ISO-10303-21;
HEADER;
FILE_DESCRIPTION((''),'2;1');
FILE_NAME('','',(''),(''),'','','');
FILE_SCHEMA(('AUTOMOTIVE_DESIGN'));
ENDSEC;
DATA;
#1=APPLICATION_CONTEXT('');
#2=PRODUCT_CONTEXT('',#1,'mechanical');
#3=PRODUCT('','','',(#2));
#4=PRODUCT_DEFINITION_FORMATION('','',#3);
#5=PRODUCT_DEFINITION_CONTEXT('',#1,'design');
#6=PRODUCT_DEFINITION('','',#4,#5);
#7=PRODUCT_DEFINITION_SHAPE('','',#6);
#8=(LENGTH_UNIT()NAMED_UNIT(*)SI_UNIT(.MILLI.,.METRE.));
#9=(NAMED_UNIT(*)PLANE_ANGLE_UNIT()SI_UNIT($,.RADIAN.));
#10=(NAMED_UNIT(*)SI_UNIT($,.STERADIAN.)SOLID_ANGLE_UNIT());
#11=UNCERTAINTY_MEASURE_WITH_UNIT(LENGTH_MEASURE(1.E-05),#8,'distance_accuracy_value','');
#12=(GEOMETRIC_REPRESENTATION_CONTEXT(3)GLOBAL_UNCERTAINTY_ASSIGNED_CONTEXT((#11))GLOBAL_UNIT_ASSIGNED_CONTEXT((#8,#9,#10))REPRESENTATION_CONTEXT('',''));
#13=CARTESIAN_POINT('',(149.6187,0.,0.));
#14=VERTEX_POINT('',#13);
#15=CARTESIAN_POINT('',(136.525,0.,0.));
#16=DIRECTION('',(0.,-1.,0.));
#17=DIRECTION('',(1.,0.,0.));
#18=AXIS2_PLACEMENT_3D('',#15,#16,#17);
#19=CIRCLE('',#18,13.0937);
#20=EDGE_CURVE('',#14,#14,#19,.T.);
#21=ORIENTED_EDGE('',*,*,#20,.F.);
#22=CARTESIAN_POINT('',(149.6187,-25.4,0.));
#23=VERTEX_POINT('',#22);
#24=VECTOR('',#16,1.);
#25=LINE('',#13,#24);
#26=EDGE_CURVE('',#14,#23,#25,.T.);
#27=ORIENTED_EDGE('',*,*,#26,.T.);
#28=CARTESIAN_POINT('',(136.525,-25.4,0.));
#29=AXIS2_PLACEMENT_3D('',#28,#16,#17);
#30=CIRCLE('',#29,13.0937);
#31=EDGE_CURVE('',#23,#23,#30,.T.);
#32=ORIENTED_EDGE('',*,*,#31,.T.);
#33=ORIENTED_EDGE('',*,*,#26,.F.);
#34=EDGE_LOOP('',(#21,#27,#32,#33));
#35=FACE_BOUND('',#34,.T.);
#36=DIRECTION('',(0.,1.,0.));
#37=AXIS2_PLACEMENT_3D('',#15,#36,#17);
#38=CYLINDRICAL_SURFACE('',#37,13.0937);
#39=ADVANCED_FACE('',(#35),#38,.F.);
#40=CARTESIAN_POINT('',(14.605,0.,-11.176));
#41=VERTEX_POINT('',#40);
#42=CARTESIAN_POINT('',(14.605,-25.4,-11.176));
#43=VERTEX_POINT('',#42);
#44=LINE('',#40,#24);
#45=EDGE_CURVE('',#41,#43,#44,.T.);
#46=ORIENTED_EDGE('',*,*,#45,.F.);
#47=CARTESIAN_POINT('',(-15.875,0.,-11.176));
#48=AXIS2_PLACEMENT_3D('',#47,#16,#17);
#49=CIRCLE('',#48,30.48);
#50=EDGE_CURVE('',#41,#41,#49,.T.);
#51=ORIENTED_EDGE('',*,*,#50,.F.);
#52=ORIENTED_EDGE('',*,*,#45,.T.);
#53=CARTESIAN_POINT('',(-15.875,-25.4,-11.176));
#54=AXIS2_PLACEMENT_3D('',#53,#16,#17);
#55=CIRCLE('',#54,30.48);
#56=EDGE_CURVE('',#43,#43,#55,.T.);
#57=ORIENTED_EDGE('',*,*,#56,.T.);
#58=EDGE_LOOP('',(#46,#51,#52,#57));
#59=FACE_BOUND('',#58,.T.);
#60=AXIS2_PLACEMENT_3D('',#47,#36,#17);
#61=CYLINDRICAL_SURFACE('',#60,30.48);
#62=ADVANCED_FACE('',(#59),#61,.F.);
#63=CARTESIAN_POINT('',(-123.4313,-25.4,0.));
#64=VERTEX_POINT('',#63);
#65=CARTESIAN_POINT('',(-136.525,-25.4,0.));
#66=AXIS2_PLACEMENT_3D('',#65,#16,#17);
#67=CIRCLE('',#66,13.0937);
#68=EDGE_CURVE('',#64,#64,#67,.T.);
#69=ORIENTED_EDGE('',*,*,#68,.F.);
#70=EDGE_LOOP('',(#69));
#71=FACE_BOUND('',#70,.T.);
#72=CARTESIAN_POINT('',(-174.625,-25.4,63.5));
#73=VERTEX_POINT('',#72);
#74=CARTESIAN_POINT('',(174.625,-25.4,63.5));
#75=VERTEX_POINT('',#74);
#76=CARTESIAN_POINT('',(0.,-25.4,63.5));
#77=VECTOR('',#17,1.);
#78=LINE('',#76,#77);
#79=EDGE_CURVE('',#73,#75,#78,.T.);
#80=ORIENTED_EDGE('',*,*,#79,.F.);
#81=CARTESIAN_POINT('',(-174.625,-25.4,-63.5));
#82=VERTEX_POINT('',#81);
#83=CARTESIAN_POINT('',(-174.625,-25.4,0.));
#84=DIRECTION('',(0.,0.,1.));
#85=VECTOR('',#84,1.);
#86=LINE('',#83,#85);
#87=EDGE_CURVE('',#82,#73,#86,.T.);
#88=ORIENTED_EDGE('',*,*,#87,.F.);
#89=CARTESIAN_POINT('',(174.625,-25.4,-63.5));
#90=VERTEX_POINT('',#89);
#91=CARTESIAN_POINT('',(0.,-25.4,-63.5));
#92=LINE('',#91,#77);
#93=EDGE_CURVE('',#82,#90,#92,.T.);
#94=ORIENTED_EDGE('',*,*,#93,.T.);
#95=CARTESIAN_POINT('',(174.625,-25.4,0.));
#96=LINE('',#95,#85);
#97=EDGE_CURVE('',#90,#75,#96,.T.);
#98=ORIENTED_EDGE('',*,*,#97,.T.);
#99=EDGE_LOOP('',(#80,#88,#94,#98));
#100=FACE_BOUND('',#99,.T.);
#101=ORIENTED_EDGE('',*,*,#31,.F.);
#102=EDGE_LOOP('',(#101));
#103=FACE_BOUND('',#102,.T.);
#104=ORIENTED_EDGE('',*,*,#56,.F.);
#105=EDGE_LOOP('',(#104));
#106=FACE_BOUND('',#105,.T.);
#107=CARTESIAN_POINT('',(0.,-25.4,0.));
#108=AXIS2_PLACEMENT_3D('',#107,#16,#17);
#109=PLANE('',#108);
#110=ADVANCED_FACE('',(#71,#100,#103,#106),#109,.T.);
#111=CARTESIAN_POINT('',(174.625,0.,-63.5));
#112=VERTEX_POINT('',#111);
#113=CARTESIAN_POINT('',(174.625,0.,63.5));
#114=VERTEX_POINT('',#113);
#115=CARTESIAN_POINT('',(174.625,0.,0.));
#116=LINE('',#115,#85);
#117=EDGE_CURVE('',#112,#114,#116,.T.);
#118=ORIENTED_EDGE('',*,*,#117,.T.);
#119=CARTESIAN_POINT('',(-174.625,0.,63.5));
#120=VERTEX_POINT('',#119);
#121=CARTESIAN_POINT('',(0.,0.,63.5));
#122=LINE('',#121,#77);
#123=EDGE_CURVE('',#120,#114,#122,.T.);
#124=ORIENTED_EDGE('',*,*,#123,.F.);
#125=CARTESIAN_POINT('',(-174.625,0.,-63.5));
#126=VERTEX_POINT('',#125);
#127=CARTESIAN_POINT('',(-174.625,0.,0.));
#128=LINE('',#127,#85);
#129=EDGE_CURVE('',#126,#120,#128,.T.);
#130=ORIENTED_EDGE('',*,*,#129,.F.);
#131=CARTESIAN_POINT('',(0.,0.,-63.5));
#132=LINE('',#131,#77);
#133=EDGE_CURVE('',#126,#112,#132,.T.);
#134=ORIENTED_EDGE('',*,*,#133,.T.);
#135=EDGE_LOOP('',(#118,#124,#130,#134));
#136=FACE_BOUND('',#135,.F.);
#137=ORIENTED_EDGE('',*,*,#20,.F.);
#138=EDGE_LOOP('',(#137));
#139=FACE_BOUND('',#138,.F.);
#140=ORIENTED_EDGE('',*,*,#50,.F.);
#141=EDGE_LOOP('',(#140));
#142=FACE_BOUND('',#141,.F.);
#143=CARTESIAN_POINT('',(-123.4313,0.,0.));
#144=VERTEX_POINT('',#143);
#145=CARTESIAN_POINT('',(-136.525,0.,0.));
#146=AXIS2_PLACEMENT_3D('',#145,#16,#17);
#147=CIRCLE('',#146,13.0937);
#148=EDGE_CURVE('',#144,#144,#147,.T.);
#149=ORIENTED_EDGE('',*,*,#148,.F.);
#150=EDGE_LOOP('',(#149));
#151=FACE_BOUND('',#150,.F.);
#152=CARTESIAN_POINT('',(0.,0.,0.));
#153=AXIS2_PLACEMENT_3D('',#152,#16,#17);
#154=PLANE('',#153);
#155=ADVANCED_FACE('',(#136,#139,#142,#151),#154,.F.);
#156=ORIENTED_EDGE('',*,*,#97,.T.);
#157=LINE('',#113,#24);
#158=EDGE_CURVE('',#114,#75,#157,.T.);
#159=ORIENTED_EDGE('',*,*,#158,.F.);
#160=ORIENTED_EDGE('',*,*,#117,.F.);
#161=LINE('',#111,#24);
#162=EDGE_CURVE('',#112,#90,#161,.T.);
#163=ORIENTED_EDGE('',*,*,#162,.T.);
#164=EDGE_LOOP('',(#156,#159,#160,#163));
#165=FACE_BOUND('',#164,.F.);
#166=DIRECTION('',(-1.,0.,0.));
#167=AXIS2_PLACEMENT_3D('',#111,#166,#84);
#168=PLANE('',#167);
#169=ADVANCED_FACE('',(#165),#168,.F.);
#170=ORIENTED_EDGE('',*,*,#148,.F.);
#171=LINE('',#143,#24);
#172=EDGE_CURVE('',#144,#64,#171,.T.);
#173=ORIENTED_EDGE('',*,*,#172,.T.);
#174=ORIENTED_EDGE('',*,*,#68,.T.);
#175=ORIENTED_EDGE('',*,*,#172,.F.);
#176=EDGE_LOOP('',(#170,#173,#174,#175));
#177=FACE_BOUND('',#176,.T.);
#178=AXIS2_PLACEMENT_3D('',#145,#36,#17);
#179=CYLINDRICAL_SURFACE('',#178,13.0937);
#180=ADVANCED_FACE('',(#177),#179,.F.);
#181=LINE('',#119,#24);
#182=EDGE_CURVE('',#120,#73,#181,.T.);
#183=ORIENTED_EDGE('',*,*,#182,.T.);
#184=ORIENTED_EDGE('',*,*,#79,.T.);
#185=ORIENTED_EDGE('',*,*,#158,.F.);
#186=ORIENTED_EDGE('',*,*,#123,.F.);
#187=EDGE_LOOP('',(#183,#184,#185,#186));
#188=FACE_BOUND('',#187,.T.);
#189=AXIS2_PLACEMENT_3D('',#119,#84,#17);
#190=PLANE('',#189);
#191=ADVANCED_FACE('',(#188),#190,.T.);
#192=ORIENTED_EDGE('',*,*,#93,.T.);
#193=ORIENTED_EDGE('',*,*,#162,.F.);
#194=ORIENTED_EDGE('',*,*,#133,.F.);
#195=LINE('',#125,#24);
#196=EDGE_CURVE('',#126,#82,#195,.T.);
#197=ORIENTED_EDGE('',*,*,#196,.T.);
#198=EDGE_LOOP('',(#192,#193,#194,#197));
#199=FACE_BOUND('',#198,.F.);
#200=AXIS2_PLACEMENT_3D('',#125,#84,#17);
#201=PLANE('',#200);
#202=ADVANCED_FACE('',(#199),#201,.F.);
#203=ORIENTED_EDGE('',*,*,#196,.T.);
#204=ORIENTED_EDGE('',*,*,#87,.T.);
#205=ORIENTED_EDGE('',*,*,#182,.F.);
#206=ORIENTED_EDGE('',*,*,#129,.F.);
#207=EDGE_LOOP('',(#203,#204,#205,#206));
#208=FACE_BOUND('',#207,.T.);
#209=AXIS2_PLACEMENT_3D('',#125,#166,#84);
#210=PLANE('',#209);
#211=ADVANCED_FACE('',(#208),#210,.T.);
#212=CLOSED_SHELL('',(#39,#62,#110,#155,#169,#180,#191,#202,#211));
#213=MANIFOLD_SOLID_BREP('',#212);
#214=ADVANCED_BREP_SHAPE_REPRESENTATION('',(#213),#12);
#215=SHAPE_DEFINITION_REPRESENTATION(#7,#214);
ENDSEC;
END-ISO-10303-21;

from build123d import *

# Parameters (mm, degrees)
F0_W     = 349.25
F0_H     = 127
F0_R     = 30.48
F0_R_2   = 13.0937
F1_DEPTH = 25.4


with BuildPart() as f1:
    # F0 (on Front) → F1 (new body)
    with BuildSketch(Plane.XZ):
        Rectangle(F0_W, F0_H)
        with Locations((-15.875, -11.176)):
            Circle(F0_R, mode=Mode.SUBTRACT)
        with Locations((-136.525, 0)):
            Circle(F0_R_2, mode=Mode.SUBTRACT)
        with Locations((136.525, 0)):
            Circle(F0_R_2, mode=Mode.SUBTRACT)
    extrude(amount=F1_DEPTH)


solid = f1.part
